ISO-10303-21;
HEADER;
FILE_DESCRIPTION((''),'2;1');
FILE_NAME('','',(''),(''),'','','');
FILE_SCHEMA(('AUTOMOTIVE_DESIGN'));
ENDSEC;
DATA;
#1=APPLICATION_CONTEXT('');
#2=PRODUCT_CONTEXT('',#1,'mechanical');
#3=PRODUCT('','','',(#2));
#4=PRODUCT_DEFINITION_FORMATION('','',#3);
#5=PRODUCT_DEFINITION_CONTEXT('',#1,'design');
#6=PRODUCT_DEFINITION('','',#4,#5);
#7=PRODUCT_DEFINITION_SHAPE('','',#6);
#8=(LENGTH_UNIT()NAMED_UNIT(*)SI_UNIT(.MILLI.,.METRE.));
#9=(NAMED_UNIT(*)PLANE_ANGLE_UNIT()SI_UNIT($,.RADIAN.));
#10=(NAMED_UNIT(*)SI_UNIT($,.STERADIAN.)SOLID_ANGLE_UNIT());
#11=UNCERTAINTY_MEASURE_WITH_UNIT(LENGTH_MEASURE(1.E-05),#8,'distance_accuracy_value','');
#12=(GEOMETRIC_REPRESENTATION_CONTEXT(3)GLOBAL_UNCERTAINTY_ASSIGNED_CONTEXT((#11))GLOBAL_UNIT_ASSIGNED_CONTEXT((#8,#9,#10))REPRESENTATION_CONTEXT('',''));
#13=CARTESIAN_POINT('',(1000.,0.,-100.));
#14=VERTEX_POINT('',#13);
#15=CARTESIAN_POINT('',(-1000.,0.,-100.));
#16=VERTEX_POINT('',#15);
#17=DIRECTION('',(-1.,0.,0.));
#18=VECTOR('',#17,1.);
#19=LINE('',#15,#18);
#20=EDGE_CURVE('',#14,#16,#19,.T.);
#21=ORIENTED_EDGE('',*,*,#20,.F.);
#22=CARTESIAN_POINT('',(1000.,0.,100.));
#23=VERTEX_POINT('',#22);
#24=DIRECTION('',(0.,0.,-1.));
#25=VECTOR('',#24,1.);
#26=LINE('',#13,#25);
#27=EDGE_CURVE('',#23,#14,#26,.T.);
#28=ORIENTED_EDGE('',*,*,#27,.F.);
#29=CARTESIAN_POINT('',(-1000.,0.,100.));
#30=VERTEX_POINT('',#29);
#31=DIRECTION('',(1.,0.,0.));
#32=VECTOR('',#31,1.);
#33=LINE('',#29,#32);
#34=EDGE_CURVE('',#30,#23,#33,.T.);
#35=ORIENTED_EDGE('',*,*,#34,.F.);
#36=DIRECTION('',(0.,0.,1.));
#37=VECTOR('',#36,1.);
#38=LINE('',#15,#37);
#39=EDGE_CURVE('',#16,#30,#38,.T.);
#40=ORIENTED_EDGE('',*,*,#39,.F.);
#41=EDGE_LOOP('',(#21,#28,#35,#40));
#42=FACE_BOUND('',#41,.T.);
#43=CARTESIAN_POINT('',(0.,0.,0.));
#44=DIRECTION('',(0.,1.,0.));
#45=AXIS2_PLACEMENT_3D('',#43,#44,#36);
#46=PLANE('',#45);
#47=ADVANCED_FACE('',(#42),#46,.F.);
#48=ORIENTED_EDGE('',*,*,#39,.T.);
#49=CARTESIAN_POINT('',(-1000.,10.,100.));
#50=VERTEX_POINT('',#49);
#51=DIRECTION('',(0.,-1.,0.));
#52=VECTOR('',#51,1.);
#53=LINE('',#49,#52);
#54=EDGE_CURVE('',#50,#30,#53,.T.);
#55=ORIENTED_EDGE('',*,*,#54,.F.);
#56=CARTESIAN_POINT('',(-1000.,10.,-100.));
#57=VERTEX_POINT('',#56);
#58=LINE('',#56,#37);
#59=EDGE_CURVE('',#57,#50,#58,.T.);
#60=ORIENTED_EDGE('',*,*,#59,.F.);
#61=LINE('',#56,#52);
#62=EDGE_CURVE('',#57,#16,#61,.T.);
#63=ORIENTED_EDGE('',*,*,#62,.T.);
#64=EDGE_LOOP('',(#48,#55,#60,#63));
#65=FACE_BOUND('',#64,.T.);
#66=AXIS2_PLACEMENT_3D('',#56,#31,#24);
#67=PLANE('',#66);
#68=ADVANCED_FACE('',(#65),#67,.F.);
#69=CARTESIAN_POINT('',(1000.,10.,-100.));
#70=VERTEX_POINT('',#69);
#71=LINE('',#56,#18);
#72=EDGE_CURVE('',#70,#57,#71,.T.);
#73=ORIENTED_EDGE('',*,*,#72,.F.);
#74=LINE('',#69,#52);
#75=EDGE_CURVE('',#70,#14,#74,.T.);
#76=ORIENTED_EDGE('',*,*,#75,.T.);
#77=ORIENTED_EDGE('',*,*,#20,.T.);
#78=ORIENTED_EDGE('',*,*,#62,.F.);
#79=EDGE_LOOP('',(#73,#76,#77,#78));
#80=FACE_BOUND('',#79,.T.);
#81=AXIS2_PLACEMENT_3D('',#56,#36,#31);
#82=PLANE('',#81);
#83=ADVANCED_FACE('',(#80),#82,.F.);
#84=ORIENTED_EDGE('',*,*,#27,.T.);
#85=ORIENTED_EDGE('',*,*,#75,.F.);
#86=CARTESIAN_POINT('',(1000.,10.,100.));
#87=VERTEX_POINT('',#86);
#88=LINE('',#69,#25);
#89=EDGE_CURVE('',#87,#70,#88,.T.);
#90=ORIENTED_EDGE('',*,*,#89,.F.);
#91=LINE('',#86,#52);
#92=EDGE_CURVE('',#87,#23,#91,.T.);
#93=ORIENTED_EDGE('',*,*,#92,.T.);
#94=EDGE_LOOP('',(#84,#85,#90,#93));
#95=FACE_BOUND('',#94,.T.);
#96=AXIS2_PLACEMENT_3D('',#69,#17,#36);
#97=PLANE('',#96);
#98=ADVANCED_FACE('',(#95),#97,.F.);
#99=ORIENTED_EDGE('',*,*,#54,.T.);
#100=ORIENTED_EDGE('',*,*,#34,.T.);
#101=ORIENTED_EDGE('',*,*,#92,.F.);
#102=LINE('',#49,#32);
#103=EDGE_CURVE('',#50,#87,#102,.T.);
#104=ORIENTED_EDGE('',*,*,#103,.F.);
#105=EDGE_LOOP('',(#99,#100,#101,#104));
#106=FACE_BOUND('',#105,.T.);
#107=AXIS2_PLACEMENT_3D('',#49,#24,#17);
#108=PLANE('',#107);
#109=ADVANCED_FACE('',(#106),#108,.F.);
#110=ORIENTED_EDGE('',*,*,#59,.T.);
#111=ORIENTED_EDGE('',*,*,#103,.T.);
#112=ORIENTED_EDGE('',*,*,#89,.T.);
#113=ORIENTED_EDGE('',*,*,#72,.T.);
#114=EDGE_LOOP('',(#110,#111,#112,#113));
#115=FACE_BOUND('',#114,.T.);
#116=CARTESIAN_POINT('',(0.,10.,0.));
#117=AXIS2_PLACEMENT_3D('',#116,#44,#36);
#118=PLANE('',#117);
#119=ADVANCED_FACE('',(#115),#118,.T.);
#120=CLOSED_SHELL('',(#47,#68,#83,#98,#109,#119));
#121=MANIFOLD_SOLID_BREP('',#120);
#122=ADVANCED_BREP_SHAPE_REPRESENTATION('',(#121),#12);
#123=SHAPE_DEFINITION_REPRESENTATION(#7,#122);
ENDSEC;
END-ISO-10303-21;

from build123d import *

# Parameters (mm, degrees)
SKETCH_1_W      = 2000
SKETCH_1_H      = 200
EXTRUDE_1_DEPTH = 10


with BuildPart() as part:
    # 草图1 → 凸台-拉伸1 (new body)
    with BuildSketch(Plane(origin=(0, 0, 0), x_dir=(1, 0, 0), z_dir=(0, 1, 0))):
        Rectangle(SKETCH_1_W, SKETCH_1_H)
    extrude(amount=EXTRUDE_1_DEPTH)


solid = part.part
